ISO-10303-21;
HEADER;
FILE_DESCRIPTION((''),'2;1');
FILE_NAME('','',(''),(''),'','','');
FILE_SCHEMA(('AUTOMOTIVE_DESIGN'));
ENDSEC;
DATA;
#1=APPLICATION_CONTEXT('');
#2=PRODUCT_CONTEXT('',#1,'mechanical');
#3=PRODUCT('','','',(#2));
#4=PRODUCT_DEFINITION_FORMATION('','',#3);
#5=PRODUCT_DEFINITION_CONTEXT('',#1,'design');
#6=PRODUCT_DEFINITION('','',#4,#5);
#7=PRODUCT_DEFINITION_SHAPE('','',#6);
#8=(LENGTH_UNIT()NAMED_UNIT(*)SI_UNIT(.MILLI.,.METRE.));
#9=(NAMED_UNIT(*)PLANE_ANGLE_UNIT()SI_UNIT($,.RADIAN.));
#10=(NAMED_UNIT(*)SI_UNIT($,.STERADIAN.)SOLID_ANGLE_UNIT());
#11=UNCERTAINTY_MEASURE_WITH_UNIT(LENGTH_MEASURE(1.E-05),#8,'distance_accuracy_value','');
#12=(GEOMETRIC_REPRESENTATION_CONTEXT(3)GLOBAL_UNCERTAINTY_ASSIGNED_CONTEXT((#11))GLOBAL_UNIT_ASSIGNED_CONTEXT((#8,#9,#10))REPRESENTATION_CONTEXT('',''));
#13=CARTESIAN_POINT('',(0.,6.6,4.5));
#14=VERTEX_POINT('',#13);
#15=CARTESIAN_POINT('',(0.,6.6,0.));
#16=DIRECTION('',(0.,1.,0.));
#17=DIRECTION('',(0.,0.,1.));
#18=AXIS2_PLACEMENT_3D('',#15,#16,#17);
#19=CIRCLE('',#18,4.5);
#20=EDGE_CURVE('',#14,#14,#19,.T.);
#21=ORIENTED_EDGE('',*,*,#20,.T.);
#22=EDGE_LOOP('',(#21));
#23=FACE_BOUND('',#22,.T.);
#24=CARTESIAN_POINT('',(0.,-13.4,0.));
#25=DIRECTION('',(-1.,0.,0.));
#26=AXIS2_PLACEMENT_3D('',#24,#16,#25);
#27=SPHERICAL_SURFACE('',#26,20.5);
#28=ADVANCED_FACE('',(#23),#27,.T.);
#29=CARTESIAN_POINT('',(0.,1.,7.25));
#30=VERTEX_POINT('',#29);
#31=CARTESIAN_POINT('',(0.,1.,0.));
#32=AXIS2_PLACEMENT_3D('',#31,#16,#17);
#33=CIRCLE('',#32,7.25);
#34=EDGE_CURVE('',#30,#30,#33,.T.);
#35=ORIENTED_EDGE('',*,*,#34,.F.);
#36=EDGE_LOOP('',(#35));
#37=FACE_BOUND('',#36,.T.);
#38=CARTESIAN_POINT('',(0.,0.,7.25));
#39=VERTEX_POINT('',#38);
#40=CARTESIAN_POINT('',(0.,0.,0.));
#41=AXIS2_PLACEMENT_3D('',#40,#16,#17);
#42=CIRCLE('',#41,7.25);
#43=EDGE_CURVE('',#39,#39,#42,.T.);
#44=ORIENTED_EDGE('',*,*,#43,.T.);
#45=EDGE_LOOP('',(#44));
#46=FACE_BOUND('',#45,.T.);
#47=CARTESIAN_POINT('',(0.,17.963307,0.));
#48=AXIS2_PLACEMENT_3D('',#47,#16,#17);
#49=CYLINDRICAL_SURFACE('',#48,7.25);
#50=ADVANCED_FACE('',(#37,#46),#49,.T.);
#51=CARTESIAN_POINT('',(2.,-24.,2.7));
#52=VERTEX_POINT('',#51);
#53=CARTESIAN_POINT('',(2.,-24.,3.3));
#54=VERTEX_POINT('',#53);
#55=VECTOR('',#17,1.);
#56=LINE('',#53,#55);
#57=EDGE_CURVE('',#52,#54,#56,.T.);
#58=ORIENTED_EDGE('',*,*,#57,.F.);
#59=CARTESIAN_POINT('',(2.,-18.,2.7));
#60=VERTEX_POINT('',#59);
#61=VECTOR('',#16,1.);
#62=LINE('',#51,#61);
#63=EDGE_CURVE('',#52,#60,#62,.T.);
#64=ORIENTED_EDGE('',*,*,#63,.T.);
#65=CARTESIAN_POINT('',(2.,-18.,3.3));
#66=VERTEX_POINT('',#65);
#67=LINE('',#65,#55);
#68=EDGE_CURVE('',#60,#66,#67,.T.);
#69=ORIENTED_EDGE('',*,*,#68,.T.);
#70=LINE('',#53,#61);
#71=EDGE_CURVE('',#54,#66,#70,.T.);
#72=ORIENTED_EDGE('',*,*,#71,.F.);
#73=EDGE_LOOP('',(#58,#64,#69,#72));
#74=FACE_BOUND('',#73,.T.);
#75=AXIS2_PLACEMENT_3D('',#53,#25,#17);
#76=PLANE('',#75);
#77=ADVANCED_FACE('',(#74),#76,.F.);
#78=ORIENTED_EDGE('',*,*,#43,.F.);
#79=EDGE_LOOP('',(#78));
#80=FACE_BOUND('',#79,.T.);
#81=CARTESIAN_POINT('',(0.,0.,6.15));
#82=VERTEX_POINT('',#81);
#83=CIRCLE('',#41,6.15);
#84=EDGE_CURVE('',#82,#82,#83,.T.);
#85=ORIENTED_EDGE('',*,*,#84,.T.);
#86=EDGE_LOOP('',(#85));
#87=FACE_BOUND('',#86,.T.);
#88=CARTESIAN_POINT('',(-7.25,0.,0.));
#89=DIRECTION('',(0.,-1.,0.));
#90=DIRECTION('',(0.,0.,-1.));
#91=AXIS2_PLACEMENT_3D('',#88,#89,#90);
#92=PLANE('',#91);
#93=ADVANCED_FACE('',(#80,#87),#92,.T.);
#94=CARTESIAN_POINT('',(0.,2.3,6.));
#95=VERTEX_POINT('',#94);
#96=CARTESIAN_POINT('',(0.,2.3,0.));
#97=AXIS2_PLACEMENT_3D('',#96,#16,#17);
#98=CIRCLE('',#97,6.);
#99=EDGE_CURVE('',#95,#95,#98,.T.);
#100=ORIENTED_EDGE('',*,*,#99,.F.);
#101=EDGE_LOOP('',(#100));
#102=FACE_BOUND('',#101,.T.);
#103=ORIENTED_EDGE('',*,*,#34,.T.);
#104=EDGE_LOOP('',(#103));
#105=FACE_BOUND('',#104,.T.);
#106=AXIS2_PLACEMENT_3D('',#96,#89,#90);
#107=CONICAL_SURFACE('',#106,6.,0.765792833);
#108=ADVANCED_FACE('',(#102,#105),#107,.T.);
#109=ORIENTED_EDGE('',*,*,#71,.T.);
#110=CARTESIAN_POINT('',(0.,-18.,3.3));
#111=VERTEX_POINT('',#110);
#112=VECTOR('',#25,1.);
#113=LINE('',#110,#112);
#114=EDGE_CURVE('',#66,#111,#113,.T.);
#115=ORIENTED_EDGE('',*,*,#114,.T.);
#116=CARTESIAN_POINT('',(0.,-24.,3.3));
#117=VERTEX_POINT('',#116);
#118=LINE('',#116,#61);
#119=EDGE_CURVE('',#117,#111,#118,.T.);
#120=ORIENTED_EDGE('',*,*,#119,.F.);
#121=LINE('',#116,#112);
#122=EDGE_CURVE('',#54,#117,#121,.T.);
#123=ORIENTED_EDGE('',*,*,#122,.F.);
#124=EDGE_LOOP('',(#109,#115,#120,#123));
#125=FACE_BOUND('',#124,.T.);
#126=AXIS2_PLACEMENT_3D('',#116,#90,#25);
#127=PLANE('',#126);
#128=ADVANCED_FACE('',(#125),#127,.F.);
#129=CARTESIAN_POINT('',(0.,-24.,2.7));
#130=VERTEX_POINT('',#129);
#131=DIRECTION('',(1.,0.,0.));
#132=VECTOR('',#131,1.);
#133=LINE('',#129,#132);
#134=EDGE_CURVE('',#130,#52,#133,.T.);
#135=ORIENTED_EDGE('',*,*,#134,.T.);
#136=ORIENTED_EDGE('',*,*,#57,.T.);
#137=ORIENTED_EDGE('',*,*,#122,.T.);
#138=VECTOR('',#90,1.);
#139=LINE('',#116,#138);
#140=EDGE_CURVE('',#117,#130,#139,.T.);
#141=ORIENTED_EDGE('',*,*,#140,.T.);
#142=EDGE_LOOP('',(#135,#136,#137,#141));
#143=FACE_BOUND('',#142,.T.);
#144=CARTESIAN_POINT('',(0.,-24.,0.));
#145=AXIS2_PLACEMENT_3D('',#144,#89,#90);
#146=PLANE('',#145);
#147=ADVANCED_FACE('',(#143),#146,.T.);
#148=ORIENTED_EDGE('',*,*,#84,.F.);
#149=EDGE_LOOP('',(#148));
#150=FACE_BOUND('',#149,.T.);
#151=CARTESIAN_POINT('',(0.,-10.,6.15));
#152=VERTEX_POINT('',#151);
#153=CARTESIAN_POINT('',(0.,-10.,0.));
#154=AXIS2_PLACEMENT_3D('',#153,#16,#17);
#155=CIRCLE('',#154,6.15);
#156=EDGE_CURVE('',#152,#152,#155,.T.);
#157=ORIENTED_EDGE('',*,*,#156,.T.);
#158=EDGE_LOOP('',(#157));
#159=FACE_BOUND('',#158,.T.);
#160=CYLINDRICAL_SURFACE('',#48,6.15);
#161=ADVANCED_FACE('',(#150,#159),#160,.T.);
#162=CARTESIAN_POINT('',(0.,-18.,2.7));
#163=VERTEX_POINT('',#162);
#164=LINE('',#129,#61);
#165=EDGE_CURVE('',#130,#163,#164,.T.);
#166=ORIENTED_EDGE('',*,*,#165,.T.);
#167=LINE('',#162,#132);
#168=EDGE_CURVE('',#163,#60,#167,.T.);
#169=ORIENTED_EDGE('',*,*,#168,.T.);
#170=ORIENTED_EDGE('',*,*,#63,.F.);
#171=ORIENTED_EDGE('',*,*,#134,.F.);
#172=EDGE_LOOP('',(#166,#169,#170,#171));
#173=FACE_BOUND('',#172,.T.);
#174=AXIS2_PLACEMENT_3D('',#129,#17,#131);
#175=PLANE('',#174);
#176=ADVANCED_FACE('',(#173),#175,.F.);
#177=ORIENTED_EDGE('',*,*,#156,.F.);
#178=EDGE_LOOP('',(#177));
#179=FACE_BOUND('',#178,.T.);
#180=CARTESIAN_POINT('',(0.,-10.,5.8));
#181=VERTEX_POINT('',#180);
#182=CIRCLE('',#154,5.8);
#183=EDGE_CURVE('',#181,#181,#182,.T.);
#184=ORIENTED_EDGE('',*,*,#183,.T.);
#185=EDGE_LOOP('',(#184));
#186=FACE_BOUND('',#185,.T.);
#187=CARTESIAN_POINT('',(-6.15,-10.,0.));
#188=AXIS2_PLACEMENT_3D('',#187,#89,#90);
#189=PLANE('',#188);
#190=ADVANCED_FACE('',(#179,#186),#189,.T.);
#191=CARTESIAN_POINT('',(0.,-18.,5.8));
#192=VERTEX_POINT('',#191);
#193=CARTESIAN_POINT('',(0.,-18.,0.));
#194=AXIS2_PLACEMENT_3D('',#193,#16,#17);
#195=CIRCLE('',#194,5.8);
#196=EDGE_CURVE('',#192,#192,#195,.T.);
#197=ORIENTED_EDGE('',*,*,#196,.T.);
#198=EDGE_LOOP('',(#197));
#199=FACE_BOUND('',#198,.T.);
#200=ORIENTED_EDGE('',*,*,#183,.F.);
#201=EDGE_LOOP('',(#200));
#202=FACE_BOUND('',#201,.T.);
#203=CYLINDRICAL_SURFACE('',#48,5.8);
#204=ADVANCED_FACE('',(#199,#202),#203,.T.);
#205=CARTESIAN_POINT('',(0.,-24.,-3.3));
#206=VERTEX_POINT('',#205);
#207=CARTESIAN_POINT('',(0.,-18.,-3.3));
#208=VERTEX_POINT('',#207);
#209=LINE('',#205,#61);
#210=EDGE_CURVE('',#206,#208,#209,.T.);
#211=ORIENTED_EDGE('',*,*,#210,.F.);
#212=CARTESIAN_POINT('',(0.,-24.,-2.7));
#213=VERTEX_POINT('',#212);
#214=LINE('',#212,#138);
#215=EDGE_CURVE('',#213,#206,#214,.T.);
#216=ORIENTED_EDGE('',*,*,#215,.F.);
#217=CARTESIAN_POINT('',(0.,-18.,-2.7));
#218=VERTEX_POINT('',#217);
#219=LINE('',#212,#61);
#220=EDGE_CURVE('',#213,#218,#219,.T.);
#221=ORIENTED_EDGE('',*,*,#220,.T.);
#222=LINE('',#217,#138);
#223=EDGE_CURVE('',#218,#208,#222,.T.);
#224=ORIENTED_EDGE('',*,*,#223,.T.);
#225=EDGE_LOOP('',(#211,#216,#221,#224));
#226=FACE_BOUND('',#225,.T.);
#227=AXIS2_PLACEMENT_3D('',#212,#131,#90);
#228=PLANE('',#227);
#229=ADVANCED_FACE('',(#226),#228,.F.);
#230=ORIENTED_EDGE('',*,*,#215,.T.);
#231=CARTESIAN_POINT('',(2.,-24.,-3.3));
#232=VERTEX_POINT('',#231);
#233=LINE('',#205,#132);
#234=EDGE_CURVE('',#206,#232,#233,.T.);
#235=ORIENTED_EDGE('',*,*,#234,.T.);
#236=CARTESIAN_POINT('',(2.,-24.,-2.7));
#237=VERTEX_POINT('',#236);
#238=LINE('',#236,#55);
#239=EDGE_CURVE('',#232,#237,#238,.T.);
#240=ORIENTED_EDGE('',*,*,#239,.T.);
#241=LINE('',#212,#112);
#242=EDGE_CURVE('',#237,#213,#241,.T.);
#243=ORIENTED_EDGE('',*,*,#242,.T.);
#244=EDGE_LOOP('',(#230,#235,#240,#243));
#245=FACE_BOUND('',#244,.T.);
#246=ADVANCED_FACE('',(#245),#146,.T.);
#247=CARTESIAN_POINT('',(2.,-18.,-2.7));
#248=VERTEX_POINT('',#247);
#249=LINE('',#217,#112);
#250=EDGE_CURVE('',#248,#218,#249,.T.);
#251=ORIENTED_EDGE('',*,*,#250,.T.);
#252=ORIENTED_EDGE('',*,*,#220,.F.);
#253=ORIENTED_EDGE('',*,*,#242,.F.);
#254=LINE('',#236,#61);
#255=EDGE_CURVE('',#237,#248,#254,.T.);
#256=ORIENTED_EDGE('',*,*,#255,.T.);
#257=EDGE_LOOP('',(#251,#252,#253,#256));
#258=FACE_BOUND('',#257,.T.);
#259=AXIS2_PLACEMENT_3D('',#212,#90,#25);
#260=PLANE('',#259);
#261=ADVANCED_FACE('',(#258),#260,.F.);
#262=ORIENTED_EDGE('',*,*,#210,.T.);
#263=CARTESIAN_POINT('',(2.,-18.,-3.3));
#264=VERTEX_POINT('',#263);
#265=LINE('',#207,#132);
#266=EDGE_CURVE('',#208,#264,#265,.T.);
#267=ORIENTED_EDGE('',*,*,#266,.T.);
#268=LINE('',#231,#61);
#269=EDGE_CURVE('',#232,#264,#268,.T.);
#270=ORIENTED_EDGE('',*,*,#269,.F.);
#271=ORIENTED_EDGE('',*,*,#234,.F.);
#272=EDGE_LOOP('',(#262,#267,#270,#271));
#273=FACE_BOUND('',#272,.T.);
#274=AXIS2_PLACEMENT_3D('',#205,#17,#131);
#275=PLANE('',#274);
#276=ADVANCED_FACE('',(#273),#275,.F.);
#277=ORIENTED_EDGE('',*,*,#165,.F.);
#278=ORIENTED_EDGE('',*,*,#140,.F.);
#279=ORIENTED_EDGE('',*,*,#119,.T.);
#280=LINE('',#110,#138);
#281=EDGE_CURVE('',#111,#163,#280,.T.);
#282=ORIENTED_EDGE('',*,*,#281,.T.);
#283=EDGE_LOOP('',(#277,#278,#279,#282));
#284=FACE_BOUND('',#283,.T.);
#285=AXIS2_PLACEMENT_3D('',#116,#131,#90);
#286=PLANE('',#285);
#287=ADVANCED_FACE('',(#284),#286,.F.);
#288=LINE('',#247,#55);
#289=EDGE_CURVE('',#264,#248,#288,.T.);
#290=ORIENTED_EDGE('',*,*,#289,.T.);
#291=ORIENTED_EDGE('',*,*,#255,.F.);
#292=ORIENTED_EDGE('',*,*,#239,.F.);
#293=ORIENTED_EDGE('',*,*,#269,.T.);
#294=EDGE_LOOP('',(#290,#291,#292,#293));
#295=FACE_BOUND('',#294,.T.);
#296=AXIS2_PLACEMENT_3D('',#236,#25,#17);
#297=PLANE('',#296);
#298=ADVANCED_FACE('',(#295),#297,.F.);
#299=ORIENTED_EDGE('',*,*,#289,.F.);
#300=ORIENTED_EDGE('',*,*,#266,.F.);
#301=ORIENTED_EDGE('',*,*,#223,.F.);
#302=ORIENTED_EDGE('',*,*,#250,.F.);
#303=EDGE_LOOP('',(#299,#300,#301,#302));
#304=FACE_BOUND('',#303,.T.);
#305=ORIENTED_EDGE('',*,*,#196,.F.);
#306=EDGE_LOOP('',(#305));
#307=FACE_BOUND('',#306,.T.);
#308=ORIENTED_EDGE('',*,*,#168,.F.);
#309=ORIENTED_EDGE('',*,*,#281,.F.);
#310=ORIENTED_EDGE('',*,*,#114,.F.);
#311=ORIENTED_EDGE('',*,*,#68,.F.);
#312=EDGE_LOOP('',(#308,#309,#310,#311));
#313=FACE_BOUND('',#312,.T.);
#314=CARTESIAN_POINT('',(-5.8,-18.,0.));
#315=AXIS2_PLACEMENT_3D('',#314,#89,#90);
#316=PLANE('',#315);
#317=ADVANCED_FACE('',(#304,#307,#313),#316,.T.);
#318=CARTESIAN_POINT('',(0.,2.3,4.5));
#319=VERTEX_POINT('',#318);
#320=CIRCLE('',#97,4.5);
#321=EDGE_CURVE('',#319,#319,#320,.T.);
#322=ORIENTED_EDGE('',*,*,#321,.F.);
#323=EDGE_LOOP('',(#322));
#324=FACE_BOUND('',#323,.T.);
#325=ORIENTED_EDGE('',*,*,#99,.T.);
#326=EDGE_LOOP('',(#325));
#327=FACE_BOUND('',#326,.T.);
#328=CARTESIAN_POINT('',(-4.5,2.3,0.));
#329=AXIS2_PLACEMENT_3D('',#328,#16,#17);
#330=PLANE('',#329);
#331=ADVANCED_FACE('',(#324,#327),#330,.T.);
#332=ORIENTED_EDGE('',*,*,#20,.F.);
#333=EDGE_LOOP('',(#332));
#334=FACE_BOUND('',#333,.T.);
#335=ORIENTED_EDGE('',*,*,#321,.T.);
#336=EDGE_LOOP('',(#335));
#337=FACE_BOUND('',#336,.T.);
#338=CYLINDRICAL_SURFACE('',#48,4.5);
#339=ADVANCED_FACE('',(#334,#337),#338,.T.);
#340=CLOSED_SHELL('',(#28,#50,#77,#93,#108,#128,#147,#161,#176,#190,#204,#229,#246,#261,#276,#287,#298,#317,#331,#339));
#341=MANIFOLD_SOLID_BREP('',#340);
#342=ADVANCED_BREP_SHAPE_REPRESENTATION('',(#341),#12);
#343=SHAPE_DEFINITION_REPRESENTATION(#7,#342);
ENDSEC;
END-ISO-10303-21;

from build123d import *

# Parameters (mm, degrees)
SKETCH2_W           = 2
SKETCH2_H           = 0.6
BOSS_EXTRUDE1_DEPTH = 6


with BuildPart() as part:
    # Sketch1 → Revolve1 (revolve)
    with BuildSketch(Plane.XY):
        with BuildLine():
            Line((-4.5, 6.6), (-4.5, 2.3))
            Line((-4.5, 2.3), (-6, 2.3))
            Line((-6, 2.3), (-7.25, 1))
            Line((-7.25, 1), (-7.25, 0))
            Line((-7.25, 0), (-6.15, 0))
            Line((-6.15, 0), (-6.15, -10))
            Line((-6.15, -10), (-5.8, -10))
            Line((-5.8, -10), (-5.8, -18))
            Line((-5.8, -18), (0, -18))
            Line((0, -18), (0, 7.1))
            ThreePointArc((0, 7.1), (-2.263846285, 6.974616561), (-4.5, 6.6))
        make_face()
    revolve(axis=Axis((0, 17.963306775, 0), (0, -1, 0)))

    # Sketch2 → Boss-Extrude1 (add)
    with BuildSketch(Plane.XZ.offset(18)):
        with Locations((1, 3)):
            Rectangle(SKETCH2_W, SKETCH2_H)
        with Locations((1, -3)):
            Rectangle(SKETCH2_W, SKETCH2_H)
    extrude(amount=BOSS_EXTRUDE1_DEPTH)


solid = part.part
